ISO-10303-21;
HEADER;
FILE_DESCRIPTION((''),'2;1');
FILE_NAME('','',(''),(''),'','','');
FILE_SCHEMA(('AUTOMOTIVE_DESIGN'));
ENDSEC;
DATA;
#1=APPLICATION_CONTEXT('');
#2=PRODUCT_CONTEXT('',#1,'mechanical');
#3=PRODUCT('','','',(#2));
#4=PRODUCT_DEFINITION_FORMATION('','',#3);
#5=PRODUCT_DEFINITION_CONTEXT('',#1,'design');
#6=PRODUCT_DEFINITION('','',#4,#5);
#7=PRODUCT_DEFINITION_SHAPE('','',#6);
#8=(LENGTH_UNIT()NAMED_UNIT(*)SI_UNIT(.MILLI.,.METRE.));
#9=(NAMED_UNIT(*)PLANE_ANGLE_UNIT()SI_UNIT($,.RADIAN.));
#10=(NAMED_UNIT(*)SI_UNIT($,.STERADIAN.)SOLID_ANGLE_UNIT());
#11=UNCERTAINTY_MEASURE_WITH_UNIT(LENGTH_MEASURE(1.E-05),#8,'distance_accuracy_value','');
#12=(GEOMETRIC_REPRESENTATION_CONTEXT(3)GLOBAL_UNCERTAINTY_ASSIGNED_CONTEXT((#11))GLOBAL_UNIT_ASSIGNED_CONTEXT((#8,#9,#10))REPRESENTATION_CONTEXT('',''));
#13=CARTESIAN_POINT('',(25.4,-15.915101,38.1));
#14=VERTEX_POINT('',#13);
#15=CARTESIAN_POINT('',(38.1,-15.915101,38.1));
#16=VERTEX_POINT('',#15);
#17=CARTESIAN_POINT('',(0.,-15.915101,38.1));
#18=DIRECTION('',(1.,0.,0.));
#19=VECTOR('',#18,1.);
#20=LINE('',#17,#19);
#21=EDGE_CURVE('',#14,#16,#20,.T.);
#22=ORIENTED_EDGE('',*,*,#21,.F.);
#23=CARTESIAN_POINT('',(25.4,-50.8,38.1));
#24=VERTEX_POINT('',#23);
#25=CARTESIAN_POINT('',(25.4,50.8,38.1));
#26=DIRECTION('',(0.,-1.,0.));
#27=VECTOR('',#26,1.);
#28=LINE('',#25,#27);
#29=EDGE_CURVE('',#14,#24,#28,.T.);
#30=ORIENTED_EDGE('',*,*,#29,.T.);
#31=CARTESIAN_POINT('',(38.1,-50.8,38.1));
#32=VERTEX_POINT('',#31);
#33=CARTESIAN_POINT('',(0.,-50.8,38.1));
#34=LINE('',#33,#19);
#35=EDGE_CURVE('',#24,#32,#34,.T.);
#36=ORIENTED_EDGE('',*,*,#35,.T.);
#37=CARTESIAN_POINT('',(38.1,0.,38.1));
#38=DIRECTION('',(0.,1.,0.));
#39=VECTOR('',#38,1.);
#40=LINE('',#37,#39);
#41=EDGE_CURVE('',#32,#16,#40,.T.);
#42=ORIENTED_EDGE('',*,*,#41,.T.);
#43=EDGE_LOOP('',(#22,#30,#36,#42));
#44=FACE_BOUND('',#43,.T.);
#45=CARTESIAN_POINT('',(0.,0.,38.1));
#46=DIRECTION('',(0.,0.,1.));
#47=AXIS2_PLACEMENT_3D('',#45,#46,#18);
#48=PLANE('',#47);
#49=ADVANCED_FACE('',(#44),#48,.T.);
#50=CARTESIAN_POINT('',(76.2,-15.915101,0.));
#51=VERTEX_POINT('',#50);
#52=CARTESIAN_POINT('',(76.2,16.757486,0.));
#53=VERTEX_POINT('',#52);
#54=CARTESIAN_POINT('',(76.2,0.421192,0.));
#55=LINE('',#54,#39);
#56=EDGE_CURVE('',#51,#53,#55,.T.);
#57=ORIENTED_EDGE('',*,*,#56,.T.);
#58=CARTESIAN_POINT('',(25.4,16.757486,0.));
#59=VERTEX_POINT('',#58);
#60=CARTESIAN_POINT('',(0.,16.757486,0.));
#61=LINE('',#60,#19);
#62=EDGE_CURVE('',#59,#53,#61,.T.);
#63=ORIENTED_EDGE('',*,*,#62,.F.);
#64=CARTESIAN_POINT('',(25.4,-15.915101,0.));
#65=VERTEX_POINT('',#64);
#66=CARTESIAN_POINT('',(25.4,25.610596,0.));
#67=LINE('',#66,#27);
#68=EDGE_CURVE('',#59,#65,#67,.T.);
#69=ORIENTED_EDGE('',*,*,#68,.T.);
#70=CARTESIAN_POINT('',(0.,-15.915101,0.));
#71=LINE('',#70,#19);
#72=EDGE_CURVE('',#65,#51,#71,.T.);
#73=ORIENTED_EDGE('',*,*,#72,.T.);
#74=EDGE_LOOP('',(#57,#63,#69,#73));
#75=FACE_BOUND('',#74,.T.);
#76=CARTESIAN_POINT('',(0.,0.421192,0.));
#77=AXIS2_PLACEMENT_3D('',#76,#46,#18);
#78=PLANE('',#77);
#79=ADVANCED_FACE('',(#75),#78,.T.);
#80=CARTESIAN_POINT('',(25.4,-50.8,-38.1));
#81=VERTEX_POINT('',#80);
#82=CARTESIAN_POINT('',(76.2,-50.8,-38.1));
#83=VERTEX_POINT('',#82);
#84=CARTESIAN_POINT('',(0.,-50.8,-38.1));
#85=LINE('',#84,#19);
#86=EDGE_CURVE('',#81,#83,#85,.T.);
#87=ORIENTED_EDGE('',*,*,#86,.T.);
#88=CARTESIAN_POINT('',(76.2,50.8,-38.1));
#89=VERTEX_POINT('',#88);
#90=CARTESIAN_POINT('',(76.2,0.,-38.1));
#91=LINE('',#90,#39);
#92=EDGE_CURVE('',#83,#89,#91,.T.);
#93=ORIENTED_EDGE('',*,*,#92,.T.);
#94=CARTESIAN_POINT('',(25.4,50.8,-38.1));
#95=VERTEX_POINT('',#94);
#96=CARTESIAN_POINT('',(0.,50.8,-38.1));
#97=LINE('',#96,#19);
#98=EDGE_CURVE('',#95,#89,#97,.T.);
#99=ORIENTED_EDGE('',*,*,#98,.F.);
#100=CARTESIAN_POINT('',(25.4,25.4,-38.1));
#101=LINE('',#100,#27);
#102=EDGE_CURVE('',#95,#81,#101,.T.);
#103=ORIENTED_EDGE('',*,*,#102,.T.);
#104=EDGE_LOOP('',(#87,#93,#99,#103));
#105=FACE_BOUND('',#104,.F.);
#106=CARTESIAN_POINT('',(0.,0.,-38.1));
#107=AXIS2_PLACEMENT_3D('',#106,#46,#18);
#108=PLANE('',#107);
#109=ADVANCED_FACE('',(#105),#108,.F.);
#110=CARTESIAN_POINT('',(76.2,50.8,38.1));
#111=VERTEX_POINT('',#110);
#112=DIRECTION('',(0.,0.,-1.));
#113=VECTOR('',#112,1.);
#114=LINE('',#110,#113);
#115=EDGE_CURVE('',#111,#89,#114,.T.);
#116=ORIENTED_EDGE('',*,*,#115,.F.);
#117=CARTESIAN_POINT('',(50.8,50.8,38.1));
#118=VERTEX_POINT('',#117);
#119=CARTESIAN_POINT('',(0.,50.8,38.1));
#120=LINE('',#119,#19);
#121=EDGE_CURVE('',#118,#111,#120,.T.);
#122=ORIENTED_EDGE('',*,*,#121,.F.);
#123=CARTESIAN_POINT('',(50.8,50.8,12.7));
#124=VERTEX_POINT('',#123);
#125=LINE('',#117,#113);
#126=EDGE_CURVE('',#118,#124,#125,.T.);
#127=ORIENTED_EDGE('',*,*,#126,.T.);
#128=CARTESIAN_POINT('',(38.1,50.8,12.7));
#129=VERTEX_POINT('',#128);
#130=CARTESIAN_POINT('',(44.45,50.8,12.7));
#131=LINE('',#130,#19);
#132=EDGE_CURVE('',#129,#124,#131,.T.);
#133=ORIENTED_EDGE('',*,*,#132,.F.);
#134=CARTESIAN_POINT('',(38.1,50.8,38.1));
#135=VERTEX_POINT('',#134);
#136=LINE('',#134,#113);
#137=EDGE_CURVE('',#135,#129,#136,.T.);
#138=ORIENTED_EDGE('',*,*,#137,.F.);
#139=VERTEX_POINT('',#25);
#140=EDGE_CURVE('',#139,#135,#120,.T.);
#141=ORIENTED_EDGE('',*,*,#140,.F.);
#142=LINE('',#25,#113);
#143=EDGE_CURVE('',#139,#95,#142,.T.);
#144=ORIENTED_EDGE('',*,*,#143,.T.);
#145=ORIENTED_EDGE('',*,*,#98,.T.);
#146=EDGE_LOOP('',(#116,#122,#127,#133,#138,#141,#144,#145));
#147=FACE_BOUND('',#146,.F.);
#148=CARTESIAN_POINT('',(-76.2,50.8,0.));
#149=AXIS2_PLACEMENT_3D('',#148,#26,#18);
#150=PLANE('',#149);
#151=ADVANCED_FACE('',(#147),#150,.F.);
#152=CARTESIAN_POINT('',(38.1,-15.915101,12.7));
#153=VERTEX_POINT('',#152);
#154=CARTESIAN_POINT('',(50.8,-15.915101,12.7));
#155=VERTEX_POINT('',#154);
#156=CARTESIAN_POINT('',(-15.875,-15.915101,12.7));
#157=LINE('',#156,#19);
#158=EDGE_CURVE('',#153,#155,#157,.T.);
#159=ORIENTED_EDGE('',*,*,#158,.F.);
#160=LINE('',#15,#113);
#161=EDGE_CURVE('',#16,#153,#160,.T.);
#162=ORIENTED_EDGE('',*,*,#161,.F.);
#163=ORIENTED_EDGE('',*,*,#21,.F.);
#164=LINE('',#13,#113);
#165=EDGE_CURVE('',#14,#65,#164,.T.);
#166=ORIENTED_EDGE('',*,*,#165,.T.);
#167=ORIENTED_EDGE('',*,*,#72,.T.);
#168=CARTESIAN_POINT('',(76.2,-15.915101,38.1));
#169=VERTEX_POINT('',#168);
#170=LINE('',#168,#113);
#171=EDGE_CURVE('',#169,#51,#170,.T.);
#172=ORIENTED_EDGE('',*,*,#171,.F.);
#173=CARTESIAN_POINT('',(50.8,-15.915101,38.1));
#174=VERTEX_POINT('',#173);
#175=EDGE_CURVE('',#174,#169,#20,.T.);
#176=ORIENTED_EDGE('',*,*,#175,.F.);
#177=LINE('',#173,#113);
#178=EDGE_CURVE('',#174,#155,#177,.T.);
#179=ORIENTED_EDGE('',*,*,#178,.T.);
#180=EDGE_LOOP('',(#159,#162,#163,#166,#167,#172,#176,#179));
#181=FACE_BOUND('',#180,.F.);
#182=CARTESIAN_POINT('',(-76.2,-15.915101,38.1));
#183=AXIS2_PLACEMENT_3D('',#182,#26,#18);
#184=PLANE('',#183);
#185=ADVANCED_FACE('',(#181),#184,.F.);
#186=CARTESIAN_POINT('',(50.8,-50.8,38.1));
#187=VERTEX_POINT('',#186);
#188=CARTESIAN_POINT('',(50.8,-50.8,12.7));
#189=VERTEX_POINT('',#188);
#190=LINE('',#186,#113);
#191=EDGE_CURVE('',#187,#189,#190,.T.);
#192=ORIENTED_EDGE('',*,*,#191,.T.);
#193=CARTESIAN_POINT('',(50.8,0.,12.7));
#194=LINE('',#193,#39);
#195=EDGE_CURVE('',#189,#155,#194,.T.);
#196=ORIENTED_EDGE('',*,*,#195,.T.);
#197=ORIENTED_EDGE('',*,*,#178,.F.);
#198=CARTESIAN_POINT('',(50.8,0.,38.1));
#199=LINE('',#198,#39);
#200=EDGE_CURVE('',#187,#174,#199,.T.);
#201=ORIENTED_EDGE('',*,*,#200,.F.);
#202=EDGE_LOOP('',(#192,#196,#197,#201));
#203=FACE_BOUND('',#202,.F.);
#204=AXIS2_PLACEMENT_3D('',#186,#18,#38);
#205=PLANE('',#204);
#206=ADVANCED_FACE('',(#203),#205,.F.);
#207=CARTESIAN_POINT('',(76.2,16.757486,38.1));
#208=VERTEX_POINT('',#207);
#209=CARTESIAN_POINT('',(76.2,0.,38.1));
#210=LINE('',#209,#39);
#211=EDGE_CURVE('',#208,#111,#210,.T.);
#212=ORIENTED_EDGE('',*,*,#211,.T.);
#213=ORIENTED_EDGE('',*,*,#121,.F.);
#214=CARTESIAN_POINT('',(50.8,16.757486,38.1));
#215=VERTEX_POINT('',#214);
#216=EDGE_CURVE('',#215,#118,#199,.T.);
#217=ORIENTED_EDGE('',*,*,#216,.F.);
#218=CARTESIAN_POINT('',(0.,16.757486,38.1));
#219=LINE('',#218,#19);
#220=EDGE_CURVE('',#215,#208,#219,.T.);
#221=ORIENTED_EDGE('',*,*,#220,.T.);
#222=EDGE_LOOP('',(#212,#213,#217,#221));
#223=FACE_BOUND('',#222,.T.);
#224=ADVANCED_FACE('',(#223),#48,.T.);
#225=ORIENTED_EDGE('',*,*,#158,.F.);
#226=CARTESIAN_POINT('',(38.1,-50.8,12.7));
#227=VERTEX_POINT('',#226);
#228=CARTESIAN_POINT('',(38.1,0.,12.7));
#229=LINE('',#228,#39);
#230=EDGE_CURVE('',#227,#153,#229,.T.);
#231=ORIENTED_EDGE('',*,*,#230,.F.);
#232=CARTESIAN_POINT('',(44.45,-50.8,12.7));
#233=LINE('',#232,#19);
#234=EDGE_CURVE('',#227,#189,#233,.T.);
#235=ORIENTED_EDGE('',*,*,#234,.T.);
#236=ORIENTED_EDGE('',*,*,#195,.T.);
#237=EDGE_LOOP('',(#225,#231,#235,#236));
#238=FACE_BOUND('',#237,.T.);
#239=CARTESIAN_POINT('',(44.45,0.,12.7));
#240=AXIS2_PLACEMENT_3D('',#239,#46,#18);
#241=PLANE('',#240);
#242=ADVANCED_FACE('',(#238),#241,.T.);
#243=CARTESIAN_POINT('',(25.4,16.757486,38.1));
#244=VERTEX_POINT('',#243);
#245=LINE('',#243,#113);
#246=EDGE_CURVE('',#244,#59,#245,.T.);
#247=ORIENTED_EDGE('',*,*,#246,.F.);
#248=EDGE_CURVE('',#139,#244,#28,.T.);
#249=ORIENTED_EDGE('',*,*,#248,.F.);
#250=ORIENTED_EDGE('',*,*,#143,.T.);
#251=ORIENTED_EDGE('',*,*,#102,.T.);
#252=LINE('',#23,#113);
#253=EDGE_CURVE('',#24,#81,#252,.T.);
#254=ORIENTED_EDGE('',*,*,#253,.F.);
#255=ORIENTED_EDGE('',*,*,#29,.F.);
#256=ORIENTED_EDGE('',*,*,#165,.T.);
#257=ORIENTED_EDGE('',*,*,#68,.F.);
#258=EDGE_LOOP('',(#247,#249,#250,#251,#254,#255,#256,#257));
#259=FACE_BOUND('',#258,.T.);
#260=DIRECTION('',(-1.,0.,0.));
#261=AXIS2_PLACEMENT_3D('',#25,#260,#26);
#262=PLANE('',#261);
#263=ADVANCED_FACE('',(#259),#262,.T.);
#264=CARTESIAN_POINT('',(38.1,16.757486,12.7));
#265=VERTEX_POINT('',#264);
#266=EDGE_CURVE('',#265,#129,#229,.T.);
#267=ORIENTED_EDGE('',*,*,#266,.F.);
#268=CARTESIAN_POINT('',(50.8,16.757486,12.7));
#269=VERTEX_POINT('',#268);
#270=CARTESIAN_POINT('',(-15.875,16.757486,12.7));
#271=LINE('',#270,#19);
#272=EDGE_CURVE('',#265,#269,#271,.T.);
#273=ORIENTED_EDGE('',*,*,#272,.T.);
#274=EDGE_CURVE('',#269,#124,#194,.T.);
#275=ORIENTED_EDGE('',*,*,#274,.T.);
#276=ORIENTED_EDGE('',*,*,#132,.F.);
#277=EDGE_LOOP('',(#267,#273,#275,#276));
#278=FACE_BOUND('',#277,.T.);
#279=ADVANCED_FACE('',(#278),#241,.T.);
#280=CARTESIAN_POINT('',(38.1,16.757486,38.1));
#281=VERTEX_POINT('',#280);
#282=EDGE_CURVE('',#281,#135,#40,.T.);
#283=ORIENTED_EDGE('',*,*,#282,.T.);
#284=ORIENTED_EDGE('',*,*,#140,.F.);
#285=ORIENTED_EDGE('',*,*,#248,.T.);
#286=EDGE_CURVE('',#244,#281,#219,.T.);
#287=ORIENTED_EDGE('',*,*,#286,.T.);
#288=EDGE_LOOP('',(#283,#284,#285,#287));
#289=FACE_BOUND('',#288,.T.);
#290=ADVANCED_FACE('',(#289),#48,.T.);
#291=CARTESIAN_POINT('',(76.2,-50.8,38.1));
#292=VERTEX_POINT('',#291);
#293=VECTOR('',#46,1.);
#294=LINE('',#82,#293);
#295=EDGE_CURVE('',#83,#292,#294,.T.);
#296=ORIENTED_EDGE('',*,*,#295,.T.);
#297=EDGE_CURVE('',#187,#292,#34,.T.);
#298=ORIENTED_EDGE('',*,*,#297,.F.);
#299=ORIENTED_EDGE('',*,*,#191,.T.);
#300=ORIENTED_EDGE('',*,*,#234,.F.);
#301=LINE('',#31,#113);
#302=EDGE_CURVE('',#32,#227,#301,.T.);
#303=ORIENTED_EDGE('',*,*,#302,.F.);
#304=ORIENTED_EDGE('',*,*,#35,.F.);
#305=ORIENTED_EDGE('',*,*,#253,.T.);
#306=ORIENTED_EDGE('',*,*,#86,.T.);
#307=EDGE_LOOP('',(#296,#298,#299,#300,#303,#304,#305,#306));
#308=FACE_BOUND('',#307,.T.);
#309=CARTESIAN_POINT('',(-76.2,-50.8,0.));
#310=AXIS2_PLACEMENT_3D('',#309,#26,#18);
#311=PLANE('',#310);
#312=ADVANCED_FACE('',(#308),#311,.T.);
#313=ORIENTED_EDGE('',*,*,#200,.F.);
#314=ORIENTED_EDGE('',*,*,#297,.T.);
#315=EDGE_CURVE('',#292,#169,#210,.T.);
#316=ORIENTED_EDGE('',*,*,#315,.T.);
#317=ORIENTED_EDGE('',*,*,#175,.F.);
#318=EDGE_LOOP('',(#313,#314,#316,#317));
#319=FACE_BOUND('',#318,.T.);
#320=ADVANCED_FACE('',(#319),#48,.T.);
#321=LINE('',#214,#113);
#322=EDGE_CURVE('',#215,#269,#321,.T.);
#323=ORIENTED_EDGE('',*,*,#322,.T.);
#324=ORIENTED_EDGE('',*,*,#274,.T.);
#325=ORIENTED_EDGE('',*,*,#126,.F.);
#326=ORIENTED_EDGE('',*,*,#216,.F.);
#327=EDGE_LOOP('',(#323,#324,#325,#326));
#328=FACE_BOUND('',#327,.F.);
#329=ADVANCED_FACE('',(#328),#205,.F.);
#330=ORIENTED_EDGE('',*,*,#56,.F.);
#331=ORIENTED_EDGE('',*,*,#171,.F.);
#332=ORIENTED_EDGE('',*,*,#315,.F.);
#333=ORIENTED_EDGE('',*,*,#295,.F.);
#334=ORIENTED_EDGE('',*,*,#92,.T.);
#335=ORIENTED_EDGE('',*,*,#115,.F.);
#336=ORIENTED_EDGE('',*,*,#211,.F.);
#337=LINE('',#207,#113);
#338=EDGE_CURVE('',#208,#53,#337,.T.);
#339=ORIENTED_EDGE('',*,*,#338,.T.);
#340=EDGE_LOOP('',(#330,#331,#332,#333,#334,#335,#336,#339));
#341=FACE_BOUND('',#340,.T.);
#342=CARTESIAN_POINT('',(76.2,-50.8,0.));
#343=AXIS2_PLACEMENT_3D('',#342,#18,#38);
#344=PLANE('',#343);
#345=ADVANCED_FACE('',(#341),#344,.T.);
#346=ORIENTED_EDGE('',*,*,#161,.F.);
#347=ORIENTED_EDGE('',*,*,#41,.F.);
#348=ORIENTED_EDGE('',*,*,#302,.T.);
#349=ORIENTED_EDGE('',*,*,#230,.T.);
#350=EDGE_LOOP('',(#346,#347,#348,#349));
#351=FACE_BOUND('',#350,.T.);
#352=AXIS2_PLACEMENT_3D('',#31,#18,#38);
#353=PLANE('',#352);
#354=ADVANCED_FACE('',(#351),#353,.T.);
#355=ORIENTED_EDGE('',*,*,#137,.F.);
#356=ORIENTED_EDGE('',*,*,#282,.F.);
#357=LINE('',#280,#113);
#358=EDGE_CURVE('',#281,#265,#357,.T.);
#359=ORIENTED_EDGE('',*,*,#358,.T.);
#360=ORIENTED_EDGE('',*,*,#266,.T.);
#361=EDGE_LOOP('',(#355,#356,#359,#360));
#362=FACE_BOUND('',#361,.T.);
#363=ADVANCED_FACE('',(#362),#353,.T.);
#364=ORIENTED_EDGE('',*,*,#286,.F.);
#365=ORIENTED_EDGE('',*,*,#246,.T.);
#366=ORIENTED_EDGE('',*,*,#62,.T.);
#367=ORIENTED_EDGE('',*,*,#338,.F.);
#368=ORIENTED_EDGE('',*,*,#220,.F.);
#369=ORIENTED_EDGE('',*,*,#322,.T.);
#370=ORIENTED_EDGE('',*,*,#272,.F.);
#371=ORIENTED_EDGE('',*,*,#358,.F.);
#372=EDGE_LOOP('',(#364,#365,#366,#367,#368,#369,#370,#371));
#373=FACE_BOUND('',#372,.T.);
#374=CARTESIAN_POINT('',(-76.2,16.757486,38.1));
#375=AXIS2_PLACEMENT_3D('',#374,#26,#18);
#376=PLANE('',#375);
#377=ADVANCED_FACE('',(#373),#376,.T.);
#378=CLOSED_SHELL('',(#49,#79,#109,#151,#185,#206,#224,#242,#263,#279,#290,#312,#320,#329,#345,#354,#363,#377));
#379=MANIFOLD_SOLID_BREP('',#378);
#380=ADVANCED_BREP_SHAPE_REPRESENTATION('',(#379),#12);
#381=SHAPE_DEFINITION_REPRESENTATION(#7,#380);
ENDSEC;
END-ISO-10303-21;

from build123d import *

# Parameters (mm, degrees)
F0_W     = 152.4
F0_H     = 101.6
F1_DEPTH = 38.1
F2_W     = 12.7
F2_H     = 101.6
F3_DEPTH = 25.4
F4_W     = 152.4
F4_H     = 32.6725877821
F5_DEPTH = 38.1
F6_W     = 12.7
F6_H     = 34.8848986059
F7_DEPTH = 76.201


with BuildPart() as f1:
    # F0 (on Top) → F1 (new body, symmetric)
    with BuildSketch(Plane.XY):
        Rectangle(F0_W, F0_H)
    extrude(amount=F1_DEPTH, both=True)

    # F2 (on face) → F3 (cut)
    with BuildSketch(Plane.XY.offset(38.1)):
        with Locations((44.45, 0)):
            Rectangle(F2_W, F2_H)
    extrude(amount=-F3_DEPTH, mode=Mode.SUBTRACT)

    # F4 (on face) → F5 (cut)
    with BuildSketch(Plane.XY.offset(38.1)):
        with Locations((0, 0.421192497)):
            Rectangle(F4_W, F4_H)
    extrude(amount=-F5_DEPTH, mode=Mode.SUBTRACT)

    # F6 (on face) → F7 (intersect, through all)
    with BuildSketch(Plane.XY.offset(38.1)):
        Polygon((38.1, -15.9151013941), (38.1, -50.8), (76.2, -50.8), (76.2, 50.8), (50.8, 50.8), (25.4, 50.8), (25.4, -15.9151013941), align=None)
        with Locations((31.75, -33.357550697)):
            Rectangle(F6_W, F6_H)
    extrude(amount=-F7_DEPTH, mode=Mode.INTERSECT)


solid = f1.part
